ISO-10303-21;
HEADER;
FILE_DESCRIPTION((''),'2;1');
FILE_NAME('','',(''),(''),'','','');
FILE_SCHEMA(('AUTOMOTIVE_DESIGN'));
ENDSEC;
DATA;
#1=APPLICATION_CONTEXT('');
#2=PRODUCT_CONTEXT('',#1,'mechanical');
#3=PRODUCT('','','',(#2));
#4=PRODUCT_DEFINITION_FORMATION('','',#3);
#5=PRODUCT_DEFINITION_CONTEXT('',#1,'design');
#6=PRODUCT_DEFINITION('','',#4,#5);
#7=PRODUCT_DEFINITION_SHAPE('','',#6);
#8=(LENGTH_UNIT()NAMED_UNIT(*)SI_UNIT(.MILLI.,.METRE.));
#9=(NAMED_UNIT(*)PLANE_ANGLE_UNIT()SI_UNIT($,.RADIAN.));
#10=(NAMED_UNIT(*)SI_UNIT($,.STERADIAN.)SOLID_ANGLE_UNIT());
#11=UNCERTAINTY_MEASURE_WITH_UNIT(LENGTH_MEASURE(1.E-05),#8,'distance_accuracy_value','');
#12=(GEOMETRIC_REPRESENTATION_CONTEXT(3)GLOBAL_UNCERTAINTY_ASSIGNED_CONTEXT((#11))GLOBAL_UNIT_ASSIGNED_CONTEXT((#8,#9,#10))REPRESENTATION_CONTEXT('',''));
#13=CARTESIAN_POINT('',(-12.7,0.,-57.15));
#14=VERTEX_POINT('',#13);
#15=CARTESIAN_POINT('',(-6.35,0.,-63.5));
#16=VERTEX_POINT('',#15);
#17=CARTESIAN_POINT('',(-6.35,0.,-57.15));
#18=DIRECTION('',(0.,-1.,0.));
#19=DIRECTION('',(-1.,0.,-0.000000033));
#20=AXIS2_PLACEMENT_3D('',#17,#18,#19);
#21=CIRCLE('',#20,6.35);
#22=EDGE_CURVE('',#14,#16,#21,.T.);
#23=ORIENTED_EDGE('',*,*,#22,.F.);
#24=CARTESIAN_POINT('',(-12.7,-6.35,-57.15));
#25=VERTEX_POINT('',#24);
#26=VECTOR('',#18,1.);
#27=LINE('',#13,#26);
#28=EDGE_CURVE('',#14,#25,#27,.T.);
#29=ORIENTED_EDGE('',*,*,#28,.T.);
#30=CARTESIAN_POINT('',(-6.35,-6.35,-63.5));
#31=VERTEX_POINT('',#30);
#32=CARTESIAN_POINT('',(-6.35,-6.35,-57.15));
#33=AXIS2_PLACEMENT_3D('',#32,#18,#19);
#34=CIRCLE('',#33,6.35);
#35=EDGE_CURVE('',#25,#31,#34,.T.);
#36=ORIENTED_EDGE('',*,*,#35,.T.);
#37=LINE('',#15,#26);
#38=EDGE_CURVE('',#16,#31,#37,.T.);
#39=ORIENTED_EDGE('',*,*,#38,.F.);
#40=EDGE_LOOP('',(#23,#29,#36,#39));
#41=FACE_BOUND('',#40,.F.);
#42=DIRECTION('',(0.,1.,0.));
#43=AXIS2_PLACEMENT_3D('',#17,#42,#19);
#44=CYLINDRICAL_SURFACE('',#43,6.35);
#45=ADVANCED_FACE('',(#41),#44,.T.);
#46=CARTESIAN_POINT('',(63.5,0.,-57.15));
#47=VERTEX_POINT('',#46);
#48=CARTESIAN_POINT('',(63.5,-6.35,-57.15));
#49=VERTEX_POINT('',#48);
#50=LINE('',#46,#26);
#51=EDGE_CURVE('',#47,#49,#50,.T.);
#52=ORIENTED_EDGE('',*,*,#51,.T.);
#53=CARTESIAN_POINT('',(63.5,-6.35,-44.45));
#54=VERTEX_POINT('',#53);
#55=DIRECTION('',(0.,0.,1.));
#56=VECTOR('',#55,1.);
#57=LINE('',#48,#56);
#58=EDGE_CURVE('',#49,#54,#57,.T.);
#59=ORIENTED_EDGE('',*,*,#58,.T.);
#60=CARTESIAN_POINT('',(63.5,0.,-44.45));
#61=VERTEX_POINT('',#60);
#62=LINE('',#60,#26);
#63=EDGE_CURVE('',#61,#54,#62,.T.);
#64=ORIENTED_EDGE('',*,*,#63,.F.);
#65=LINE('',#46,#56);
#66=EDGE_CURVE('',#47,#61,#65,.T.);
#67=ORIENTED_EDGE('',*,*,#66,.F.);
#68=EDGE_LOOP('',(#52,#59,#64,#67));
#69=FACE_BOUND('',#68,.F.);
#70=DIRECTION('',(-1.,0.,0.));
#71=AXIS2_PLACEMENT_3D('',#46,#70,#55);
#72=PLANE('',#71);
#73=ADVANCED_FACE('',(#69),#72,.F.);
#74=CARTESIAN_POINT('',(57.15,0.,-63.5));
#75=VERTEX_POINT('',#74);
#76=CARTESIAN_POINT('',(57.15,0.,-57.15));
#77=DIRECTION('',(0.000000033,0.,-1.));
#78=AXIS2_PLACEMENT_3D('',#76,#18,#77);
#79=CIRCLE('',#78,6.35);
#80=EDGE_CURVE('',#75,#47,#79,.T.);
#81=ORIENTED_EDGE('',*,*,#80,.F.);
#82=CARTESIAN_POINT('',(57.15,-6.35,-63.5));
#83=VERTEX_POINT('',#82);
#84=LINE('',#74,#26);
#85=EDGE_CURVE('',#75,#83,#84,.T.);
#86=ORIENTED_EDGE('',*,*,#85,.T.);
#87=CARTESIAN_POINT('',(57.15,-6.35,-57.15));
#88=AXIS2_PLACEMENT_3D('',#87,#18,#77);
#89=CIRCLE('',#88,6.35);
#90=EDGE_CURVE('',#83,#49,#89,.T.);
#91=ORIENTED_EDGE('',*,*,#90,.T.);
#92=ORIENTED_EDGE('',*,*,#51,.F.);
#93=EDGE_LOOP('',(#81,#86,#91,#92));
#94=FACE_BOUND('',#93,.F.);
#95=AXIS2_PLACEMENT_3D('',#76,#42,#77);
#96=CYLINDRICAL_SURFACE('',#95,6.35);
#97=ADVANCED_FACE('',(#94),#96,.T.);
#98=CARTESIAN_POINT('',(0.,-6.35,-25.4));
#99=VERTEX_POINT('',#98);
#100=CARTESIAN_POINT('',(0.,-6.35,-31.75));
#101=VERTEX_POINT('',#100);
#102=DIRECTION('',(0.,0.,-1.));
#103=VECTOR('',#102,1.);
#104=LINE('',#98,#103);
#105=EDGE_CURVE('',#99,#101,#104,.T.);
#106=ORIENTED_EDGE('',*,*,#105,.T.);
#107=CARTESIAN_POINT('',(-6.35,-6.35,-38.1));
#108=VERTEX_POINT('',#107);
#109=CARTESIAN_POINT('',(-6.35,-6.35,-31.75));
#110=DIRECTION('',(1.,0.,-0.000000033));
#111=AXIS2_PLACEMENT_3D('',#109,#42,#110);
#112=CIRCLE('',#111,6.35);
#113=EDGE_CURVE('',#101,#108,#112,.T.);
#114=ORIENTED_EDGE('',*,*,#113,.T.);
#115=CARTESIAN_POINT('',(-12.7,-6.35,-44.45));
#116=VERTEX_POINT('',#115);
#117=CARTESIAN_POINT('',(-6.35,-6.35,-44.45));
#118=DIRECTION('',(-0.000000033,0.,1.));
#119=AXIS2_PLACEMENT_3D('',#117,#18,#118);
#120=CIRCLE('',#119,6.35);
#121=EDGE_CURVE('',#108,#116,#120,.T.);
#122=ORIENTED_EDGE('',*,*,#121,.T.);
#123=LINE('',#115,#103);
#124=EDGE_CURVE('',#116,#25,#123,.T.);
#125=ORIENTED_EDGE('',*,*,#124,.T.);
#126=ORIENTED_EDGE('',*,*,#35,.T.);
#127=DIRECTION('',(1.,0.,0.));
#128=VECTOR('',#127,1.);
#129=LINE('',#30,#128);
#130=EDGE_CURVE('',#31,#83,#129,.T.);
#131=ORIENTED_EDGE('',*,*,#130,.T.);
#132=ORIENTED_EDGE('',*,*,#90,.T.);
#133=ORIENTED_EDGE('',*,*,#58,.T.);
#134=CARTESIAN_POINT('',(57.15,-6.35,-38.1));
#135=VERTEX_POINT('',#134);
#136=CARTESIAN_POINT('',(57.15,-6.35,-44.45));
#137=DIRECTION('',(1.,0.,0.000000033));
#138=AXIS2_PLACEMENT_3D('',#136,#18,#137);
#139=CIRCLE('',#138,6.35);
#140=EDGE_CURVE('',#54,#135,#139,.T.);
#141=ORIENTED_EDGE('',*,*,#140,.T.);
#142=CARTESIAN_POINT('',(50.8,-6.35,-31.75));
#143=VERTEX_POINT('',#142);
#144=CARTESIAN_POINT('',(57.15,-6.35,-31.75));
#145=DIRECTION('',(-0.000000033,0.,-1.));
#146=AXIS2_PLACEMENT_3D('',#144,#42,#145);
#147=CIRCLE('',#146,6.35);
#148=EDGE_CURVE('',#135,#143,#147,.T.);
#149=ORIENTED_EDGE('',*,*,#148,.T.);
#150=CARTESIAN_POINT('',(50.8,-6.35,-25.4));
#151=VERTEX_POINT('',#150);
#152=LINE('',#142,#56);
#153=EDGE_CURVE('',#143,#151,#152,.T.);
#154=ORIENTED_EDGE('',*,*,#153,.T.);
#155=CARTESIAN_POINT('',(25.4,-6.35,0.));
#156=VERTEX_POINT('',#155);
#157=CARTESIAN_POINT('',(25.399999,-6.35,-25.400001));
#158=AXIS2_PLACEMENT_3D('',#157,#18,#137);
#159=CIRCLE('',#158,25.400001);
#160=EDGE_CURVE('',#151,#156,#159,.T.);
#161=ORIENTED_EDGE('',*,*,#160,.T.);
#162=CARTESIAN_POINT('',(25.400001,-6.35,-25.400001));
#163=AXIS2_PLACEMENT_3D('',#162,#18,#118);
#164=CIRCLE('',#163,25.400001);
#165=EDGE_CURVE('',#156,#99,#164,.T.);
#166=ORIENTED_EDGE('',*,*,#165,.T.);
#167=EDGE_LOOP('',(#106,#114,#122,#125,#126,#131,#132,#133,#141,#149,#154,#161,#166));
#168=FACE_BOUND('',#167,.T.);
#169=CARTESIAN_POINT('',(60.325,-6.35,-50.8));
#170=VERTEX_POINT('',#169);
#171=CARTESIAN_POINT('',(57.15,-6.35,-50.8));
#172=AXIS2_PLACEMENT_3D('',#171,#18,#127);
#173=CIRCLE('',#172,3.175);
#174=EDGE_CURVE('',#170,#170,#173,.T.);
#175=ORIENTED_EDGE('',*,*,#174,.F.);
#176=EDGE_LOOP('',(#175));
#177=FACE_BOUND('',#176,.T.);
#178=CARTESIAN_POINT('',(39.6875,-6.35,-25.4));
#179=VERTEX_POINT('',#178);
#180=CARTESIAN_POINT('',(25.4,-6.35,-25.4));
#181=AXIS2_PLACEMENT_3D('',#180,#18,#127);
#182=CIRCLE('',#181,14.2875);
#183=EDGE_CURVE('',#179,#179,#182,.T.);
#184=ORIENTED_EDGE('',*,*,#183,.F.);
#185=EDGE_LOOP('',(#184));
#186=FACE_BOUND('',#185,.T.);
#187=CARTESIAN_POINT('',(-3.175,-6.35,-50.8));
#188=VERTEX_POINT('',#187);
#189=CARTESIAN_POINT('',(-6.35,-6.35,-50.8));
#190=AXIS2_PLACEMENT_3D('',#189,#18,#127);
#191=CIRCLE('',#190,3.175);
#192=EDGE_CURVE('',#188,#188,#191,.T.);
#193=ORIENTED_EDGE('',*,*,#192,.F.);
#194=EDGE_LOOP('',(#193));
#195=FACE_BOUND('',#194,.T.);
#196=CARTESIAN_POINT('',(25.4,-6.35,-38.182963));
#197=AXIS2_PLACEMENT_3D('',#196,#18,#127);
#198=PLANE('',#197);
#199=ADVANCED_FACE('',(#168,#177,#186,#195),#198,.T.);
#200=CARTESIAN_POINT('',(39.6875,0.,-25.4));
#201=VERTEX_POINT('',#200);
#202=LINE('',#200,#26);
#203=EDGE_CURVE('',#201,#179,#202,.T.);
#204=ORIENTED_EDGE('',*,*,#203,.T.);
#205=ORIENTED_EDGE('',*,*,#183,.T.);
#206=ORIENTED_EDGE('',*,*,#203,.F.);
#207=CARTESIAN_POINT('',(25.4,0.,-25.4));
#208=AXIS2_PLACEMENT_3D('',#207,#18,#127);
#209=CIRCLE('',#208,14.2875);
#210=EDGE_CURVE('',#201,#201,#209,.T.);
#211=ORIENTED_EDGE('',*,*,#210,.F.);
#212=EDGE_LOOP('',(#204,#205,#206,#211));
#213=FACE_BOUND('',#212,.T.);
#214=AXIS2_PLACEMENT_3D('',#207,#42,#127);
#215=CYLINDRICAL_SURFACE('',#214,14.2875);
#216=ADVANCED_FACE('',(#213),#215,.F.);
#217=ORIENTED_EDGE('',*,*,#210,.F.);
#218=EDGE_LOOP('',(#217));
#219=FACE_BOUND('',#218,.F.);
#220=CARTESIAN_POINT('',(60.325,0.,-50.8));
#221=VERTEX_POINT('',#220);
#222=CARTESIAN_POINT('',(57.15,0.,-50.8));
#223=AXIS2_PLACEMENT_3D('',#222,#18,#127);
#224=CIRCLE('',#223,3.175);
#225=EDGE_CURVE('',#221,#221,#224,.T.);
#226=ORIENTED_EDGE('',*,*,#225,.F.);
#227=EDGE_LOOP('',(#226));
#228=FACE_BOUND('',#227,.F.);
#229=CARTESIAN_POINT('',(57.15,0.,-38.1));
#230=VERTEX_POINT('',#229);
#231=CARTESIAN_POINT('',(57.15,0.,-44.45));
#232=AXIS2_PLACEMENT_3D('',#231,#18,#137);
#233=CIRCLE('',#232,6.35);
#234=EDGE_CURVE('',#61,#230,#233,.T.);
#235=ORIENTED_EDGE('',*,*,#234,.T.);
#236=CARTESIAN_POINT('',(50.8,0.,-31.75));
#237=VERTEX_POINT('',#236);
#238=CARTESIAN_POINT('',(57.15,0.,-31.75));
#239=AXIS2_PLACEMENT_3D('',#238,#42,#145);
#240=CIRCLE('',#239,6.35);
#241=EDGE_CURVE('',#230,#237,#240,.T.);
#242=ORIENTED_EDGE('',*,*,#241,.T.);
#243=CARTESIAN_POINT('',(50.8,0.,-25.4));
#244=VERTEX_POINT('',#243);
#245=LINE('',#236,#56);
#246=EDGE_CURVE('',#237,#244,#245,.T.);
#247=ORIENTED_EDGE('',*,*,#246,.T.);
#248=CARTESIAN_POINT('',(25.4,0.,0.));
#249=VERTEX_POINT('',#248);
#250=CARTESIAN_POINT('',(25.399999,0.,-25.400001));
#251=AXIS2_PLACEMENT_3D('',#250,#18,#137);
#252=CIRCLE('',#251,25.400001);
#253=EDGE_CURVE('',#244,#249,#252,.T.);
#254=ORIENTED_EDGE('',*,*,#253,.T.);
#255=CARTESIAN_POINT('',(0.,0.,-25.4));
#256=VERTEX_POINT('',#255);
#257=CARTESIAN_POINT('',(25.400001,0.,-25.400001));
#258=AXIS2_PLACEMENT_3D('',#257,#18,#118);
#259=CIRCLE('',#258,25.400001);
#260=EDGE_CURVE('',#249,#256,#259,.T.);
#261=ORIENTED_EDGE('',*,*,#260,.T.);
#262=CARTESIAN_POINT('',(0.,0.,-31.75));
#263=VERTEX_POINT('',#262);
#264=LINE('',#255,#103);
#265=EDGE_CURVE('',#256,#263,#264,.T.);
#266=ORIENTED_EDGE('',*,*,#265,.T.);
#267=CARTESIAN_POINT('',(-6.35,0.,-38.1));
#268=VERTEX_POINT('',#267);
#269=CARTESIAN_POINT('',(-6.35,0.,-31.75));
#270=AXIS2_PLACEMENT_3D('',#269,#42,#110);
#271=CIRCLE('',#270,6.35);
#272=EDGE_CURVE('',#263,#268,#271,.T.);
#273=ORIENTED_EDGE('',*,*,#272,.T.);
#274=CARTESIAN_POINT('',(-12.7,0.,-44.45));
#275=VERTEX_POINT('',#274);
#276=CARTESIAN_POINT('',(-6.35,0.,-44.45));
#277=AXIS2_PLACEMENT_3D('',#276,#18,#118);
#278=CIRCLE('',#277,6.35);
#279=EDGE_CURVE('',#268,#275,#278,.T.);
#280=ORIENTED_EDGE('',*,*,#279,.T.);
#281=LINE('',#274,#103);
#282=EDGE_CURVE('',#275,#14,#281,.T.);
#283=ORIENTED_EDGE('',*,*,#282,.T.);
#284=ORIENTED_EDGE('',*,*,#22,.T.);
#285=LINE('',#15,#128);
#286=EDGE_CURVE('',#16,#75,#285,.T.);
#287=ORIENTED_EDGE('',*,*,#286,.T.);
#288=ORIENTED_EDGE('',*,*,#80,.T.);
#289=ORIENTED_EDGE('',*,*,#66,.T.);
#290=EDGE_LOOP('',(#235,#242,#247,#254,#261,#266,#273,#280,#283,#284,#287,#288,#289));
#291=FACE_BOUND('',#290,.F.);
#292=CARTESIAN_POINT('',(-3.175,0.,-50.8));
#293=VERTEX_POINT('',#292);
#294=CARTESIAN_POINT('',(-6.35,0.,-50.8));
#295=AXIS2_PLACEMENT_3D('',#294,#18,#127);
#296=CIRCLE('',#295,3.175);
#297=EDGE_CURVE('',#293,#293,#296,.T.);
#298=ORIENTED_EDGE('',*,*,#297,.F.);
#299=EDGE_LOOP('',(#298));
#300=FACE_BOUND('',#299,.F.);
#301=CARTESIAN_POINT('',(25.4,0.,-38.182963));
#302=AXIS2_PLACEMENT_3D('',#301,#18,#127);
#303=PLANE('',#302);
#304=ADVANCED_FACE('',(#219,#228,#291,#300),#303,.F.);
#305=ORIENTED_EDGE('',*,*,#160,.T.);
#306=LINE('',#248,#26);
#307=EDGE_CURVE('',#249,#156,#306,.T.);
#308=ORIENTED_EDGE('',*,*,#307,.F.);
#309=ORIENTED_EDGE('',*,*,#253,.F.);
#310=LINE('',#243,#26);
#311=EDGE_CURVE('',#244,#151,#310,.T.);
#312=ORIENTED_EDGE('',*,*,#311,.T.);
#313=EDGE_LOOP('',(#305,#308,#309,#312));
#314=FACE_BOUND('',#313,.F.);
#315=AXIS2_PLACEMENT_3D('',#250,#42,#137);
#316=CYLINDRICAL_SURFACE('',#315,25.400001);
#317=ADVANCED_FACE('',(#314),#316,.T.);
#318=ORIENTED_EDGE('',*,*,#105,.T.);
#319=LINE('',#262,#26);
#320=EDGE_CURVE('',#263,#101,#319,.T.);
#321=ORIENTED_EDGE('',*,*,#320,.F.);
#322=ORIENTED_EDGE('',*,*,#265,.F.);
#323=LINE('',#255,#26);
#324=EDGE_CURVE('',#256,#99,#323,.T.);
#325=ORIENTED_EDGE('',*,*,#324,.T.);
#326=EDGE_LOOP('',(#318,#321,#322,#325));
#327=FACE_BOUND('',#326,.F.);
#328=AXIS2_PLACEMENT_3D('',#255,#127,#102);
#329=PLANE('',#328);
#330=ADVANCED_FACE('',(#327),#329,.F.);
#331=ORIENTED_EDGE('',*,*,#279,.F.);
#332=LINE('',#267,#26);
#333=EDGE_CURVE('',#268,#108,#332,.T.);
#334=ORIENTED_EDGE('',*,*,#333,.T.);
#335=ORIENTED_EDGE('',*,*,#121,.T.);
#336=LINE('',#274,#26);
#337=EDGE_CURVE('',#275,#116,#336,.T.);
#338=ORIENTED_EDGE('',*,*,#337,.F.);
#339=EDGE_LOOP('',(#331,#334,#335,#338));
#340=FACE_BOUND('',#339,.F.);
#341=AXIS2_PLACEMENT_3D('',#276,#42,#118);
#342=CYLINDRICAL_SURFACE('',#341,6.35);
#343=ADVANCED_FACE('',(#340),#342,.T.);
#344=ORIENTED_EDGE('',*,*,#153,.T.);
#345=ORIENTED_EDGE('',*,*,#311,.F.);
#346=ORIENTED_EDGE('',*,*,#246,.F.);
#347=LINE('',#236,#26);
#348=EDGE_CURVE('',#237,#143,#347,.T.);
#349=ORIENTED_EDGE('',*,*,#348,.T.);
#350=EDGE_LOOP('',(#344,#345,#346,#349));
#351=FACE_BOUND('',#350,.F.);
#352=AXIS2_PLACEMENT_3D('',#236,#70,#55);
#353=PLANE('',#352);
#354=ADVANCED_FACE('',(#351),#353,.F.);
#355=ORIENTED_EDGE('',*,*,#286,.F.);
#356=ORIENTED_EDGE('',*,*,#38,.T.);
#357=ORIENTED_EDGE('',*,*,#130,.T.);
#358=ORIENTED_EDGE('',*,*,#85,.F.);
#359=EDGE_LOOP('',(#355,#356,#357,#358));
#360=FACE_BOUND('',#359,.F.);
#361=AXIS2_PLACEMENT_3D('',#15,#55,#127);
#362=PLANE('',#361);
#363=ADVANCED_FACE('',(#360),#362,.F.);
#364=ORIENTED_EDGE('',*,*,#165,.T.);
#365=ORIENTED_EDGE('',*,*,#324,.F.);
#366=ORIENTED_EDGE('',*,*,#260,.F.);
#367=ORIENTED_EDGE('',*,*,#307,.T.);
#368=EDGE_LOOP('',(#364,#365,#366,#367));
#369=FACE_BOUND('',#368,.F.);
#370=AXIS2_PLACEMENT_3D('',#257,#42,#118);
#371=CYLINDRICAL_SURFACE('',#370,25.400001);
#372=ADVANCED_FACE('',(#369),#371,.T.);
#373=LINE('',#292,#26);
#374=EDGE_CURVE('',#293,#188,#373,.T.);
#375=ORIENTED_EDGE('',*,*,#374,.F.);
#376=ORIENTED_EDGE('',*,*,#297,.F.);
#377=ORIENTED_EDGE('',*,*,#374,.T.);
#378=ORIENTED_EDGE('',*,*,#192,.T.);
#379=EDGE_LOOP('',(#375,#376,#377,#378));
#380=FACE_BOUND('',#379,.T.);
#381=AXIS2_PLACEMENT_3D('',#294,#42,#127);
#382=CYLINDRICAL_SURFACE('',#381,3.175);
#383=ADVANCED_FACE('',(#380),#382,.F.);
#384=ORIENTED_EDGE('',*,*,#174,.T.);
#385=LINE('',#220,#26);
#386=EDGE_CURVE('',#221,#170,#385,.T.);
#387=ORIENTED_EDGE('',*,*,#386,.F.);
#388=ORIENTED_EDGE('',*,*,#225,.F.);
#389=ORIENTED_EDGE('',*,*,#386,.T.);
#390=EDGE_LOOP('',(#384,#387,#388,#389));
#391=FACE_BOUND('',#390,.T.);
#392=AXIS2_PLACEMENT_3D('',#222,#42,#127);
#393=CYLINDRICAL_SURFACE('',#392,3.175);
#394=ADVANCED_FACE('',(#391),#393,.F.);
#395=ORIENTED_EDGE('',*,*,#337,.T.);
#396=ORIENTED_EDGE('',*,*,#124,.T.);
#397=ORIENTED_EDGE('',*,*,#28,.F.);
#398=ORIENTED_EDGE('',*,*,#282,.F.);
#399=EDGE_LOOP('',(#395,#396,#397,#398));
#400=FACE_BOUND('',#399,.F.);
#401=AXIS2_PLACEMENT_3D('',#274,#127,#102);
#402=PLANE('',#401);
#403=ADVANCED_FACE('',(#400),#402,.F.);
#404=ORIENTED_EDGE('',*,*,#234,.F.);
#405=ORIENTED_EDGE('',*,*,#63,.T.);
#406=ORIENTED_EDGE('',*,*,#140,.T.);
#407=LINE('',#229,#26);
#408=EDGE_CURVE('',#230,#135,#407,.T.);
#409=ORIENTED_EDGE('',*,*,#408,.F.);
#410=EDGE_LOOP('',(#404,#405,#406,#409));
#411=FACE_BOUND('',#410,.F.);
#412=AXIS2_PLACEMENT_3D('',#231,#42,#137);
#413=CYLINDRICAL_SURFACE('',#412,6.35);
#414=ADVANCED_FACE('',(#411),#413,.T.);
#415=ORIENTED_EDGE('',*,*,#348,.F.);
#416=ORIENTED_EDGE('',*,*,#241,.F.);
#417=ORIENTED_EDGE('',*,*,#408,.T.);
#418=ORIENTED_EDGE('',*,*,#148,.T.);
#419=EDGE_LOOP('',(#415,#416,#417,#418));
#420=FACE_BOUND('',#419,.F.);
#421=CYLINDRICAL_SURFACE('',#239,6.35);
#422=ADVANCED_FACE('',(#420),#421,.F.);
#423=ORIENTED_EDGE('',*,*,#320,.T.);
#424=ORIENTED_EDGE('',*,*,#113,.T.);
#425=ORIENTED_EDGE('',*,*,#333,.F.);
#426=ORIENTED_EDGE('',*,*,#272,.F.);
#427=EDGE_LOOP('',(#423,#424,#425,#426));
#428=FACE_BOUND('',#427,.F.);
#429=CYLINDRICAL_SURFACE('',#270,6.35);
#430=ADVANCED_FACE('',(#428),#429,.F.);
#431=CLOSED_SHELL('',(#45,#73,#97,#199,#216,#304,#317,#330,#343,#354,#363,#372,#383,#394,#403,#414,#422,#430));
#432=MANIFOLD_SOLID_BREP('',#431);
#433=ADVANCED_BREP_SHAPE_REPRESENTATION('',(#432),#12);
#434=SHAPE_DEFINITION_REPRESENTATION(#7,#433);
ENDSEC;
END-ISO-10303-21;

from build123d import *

# Parameters (mm, degrees)
F0_R     = 3.175
F0_R_2   = 14.2875
F1_DEPTH = 6.35


with BuildPart() as f1:
    # F0 (on Front) → F1 (new body)
    with BuildSketch(Plane.XZ):
        with BuildLine():
            Line((-6.35, -63.5), (0, -63.5))
            Line((0, -63.5), (50.8, -63.5))
            Line((50.8, -63.5), (57.15, -63.5))
            ThreePointArc((57.15, -63.5), (61.640128, -61.640128), (63.5, -57.15))
            Line((63.5, -57.15), (63.5, -44.45))
            ThreePointArc((63.5, -44.45), (61.640128, -39.959872), (57.15, -38.1))
            ThreePointArc((57.15, -38.1), (52.659872, -36.240128), (50.8, -31.75))
            Line((50.8, -31.75), (50.8, -25.4))
            ThreePointArc((50.8, -25.4), (43.360512, -7.439488), (25.4, 0))
            ThreePointArc((25.4, 0), (7.439488, -7.439488), (0, -25.4))
            Line((0, -25.4), (0, -31.75))
            ThreePointArc((0, -31.75), (-1.859872, -36.240128), (-6.35, -38.1))
            ThreePointArc((-6.35, -38.1), (-10.840128, -39.959872), (-12.7, -44.45))
            Line((-12.7, -44.45), (-12.7, -57.15))
            ThreePointArc((-12.7, -57.15), (-10.840128, -61.640128), (-6.35, -63.5))
        make_face()
        with Locations((-6.35, -50.8)):
            Circle(F0_R, mode=Mode.SUBTRACT)
        with Locations((57.15, -50.8)):
            Circle(F0_R, mode=Mode.SUBTRACT)
        with Locations((25.4, -25.4)):
            Circle(F0_R_2, mode=Mode.SUBTRACT)
    extrude(amount=F1_DEPTH)


solid = f1.part
